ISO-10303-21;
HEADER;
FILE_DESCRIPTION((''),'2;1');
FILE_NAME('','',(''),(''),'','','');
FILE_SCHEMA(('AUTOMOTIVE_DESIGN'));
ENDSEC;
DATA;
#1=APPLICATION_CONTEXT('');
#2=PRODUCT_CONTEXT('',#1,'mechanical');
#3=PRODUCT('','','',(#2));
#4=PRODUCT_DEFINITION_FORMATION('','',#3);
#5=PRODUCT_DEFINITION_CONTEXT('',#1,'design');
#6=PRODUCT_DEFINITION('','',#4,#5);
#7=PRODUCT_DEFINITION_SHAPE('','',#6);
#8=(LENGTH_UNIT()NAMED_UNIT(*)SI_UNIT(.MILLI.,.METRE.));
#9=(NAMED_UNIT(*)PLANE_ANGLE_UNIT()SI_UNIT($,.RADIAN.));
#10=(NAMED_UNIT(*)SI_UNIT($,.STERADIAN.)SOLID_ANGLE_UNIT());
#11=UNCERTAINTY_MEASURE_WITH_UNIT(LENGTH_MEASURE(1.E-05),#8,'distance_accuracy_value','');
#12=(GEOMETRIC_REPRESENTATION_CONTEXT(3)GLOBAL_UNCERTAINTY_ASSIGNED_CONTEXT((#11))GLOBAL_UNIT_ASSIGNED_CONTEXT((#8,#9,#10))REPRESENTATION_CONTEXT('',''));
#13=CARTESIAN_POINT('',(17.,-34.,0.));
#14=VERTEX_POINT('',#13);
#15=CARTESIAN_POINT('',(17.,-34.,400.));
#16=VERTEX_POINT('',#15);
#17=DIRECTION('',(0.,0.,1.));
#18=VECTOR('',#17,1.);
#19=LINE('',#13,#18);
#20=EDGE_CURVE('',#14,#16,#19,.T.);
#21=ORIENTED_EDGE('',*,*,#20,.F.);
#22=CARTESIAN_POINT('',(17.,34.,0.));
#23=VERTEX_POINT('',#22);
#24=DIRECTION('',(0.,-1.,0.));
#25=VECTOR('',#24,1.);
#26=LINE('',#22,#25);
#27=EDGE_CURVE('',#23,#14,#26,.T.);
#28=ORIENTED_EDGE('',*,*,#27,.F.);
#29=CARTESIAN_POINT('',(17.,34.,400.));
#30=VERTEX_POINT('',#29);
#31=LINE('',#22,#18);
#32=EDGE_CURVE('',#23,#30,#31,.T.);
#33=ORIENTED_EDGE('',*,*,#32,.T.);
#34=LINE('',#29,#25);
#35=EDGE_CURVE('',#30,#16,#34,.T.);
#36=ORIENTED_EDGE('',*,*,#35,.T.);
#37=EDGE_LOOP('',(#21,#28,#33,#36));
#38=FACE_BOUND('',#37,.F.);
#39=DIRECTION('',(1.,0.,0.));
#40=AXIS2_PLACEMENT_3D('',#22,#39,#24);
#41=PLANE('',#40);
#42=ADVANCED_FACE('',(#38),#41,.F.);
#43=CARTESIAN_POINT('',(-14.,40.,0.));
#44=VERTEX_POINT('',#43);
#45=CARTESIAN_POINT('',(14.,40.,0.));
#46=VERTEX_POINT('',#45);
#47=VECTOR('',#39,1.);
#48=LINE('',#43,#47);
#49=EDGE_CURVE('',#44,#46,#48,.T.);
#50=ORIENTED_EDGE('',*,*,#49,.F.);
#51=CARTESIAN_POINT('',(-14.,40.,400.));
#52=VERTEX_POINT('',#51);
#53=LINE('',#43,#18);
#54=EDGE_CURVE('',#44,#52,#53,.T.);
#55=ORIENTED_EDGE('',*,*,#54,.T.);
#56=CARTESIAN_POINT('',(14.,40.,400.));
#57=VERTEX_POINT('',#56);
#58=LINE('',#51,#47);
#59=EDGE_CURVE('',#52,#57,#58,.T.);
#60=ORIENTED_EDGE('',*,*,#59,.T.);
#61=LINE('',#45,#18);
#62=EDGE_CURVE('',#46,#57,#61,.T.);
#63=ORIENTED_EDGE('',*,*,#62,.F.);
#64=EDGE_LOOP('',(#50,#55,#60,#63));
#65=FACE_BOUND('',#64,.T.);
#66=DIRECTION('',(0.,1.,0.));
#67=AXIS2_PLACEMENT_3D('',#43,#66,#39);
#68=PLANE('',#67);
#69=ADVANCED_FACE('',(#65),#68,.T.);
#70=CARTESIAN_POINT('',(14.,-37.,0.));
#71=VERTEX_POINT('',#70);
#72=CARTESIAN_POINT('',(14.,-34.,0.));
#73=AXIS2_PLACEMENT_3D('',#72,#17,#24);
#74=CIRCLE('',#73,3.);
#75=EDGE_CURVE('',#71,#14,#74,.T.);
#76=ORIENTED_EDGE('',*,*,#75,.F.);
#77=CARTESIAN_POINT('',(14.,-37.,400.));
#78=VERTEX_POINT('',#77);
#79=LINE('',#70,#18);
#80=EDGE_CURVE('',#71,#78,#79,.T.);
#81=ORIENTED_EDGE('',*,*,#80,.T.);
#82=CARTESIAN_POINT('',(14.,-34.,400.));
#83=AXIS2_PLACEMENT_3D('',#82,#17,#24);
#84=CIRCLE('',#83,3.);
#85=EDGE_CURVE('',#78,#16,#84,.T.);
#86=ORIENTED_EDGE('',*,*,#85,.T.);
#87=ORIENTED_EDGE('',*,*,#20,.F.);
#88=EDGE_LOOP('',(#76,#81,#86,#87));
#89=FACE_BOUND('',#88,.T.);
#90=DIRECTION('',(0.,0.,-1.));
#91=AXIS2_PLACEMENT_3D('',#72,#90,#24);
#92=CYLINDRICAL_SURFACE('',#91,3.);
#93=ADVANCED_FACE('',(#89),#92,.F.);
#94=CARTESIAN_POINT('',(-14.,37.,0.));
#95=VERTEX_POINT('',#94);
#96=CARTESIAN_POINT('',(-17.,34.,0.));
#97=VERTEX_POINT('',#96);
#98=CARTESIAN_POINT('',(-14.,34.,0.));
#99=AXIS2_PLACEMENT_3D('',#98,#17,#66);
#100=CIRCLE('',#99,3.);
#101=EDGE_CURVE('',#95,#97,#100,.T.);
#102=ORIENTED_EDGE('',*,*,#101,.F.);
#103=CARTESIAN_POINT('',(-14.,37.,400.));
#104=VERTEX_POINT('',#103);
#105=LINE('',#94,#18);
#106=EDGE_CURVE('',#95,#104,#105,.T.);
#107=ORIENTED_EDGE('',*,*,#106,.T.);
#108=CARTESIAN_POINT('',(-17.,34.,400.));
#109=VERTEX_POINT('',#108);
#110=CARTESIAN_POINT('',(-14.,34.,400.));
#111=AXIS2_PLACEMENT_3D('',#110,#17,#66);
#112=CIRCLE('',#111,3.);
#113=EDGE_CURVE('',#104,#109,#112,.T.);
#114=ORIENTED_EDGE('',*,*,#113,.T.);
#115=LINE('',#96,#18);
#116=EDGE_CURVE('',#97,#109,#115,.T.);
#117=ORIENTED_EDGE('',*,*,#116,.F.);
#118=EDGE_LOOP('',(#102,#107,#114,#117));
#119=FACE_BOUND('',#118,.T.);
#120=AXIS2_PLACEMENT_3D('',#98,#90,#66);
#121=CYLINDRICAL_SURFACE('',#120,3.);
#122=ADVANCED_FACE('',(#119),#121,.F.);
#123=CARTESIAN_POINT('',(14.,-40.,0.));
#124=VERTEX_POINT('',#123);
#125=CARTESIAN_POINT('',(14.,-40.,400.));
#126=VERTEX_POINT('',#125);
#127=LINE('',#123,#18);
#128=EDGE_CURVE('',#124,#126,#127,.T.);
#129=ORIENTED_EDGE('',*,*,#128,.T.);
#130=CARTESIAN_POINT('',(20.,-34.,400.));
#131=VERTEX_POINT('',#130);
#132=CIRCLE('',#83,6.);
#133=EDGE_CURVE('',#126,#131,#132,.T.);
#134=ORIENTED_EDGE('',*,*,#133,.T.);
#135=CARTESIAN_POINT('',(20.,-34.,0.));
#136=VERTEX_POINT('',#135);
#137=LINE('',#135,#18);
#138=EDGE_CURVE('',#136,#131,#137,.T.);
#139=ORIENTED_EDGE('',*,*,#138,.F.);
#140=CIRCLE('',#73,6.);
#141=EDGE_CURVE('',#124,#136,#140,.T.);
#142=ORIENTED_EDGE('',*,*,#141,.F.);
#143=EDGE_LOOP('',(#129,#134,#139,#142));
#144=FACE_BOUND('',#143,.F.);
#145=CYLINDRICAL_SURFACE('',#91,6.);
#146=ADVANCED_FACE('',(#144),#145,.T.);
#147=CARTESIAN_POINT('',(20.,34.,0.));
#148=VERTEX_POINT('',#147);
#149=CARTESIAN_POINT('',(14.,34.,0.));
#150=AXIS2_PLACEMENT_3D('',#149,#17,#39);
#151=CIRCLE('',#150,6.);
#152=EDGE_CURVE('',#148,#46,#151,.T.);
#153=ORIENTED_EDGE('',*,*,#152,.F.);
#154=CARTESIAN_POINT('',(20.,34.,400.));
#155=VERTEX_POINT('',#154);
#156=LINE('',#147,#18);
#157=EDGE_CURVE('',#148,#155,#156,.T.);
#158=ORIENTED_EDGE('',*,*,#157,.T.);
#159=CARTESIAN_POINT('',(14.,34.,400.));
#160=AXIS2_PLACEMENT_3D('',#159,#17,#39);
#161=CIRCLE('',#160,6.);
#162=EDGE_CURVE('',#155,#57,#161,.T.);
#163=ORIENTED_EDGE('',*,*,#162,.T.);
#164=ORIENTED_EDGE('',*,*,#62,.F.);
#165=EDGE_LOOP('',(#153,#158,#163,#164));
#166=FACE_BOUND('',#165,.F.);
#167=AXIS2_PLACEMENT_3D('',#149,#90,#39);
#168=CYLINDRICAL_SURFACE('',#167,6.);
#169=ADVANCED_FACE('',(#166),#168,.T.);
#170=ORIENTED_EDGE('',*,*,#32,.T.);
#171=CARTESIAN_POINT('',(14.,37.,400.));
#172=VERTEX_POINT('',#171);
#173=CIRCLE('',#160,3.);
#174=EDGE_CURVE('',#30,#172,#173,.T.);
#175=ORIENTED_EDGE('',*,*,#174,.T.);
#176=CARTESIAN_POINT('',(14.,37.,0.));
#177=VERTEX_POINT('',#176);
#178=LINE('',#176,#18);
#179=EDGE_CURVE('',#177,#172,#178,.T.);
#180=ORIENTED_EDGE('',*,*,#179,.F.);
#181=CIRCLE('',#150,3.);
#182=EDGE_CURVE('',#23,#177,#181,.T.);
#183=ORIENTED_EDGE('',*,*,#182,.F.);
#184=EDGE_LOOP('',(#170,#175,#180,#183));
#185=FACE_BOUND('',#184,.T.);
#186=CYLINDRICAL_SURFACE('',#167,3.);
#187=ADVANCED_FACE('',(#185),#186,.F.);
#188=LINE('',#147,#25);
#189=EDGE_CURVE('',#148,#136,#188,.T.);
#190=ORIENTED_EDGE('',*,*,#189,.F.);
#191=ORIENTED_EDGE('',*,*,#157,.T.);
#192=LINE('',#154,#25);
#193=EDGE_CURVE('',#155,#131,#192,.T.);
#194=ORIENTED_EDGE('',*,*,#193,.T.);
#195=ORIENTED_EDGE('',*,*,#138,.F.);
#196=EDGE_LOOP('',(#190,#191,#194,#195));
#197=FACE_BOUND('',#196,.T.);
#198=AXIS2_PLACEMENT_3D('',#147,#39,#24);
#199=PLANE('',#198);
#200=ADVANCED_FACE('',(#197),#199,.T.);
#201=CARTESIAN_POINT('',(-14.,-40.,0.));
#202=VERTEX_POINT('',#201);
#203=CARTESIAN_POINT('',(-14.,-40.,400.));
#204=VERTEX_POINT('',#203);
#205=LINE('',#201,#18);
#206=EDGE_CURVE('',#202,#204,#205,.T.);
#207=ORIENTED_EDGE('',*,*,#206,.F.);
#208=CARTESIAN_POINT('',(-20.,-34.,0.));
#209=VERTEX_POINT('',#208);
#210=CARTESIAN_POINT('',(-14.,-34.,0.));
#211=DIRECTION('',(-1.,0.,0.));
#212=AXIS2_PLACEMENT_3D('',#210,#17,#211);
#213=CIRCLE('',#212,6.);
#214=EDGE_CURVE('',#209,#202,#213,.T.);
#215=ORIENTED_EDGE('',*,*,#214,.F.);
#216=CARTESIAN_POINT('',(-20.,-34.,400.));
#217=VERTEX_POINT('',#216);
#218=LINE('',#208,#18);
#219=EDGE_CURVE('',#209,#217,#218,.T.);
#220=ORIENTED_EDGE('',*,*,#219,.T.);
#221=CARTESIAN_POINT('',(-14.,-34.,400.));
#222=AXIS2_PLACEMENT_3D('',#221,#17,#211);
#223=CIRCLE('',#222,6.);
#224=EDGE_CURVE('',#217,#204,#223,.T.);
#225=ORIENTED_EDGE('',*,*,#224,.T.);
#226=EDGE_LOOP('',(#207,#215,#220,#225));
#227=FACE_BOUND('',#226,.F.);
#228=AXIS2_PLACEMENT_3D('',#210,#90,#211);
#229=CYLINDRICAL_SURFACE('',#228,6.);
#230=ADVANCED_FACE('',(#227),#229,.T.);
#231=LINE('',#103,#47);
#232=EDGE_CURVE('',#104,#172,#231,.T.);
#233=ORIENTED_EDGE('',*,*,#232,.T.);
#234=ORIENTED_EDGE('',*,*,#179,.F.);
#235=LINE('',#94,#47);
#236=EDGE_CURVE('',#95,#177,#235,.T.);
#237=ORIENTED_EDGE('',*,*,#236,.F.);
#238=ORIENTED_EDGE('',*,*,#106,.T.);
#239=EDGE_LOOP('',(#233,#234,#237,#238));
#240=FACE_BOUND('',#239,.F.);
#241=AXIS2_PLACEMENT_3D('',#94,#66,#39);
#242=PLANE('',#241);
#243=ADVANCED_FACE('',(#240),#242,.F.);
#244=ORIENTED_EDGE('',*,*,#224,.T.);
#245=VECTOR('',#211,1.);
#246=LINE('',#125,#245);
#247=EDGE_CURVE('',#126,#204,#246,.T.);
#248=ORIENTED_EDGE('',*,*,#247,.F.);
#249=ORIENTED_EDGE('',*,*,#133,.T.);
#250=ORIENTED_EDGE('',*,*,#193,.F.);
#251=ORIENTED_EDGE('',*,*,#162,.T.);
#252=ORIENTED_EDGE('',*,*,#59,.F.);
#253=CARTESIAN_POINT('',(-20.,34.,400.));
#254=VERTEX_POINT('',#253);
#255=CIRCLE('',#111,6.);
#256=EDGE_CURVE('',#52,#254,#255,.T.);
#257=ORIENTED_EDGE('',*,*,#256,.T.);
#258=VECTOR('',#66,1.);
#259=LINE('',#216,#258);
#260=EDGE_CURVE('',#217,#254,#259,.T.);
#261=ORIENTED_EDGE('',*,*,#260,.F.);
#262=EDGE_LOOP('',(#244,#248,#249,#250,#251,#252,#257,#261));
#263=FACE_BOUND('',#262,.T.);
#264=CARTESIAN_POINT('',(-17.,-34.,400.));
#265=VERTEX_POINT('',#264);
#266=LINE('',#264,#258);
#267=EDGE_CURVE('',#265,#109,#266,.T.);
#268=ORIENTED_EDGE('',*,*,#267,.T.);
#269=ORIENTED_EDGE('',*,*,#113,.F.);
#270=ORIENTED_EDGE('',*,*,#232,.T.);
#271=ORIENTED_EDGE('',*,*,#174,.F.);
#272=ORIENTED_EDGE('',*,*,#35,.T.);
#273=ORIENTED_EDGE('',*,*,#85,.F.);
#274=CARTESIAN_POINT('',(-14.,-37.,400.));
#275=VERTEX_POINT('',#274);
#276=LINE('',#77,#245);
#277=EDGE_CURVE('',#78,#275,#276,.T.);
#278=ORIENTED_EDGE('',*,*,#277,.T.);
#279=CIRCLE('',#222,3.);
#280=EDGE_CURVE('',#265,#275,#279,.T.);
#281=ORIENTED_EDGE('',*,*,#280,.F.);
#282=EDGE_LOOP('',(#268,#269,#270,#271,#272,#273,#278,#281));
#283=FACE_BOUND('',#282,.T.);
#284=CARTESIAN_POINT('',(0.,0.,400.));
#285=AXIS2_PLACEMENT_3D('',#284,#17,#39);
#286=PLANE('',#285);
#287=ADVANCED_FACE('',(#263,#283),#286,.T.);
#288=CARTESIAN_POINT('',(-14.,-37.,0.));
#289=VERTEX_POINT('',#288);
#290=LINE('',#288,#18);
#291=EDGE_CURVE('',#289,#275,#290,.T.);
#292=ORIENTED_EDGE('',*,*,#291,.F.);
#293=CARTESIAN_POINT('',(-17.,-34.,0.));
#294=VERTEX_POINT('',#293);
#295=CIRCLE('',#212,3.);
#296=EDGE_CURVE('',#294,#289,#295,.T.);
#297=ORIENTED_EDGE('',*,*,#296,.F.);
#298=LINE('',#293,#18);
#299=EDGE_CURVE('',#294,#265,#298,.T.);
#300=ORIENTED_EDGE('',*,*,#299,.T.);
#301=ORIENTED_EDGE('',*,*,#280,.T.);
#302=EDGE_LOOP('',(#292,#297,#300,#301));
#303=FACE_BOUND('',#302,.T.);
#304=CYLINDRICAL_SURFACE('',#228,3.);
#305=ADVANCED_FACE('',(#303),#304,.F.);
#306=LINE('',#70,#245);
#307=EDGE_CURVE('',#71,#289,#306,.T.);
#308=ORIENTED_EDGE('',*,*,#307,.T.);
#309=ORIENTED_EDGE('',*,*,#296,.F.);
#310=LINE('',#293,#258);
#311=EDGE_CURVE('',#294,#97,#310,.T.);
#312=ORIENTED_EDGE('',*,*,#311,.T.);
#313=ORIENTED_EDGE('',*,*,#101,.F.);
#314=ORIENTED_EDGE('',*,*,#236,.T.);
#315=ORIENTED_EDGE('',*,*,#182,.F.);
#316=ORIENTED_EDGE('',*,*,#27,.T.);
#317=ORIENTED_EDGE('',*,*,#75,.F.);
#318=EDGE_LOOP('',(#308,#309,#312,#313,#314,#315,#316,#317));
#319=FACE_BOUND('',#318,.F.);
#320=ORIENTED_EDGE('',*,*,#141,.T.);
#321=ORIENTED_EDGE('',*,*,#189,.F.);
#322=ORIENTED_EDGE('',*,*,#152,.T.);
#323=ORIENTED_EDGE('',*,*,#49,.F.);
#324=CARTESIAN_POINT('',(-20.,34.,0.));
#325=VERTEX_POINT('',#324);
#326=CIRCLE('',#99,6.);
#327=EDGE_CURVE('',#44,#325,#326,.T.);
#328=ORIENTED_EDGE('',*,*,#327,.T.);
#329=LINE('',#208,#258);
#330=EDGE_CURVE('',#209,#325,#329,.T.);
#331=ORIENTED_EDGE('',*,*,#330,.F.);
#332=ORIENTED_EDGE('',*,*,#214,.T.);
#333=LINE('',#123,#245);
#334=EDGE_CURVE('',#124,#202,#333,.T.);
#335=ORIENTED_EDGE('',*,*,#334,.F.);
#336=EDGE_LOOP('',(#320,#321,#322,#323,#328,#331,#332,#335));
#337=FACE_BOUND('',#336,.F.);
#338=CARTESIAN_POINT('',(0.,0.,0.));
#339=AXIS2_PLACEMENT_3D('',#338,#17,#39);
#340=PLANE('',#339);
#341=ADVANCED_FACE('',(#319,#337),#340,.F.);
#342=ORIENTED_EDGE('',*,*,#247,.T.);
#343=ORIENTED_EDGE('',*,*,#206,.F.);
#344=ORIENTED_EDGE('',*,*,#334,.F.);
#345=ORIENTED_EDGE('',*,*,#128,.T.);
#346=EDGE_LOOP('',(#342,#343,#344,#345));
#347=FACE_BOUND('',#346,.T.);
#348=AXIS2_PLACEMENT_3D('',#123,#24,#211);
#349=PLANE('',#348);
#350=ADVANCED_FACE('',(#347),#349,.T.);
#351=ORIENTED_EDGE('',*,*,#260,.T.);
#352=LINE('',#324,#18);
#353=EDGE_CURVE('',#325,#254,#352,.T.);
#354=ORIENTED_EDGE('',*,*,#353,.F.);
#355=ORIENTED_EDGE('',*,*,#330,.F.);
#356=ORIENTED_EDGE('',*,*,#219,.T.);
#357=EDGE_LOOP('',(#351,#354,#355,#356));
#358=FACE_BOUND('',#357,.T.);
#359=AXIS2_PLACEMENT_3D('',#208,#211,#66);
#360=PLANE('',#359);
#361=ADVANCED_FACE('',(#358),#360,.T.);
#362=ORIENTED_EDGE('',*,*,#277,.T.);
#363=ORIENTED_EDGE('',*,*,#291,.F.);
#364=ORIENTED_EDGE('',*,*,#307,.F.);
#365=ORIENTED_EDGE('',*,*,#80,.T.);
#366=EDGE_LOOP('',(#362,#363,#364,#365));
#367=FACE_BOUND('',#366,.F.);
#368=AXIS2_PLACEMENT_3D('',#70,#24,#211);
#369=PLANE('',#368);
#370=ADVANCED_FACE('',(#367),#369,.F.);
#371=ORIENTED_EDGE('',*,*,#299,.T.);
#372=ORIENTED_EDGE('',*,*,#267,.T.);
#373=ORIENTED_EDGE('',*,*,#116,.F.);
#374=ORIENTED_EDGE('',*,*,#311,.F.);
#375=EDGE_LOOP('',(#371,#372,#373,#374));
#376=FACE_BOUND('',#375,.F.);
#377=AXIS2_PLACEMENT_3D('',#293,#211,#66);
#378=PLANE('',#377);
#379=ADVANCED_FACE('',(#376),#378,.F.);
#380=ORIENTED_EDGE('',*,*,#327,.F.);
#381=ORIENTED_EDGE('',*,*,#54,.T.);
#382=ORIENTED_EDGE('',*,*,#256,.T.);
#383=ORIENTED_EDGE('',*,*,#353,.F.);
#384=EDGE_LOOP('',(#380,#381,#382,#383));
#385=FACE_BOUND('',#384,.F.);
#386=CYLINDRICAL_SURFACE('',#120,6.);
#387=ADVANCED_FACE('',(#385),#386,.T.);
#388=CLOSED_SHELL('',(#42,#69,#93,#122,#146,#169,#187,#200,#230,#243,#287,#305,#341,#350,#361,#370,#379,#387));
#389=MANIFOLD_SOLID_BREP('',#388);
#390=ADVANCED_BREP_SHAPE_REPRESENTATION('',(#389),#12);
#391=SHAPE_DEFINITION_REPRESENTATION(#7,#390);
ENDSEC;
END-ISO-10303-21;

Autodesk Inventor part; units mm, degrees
ref_plane "YZ Plane" through (0, 0, 0) normal (1, 0, 0) x (0, 1, 0)
ref_plane "Start Plane" through (0, 0, 0) normal (0, 0, 1) x (1, 0, 0)
ref_plane "End Plane" through (0, 0, 400) normal (0, 0, 1) x (1, 0, 0)
sketch "Sketch" plane through (0, 0, 0) normal (0, 0, 1) x (1, 0, 0)
  line L0 (-20, -34) -> (-20, 34)
  line L1 (-14, 40) -> (14, 40)
  line L2 (20, 34) -> (20, -34)
  line L3 (14, -40) -> (-14, -40)
  arc A0 (-20, -34) -> (-14, -40) centre (-14, -34) ccw
  arc A1 (20, 34) -> (14, 40) centre (14, 34) ccw
  arc A2 (-14, 40) -> (-20, 34) centre (-14, 34) ccw
  arc A3 (14, -40) -> (20, -34) centre (14, -34) ccw
  arc A4 (-14, 37) -> (-17, 34) centre (-14, 34) ccw
  line L4 (-14, 37) -> (14, 37)
  arc A5 (17, 34) -> (14, 37) centre (14, 34) ccw
  line L5 (17, 34) -> (17, -34)
  arc A6 (14, -37) -> (17, -34) centre (14, -34) ccw
  line L6 (14, -37) -> (-14, -37)
  arc A7 (-17, -34) -> (-14, -37) centre (-14, -34) ccw
  line L7 (-17, -34) -> (-17, 34)
  line L8 (0, 57.7397) -> (0, -57.7397) construction
  line L9 (-29.7397, 0) -> (29.7397, 0) construction
  dimension "d7" = 6
  dimension "d9" = 40
  dimension "d11" = 80
  dimension "d12" = 3
  dimension "d15" = 20
  dimension "d16" = 40
extrude "Body" add sketch "Sketch" along normal up to surface (400 mm away) from surface at 0
sketch "Sketch3" plane through (0, 0, 0) normal (0, 0, 1) x (1, 0, 0)
  line L0 (0, 0) -> (10, 0)
ref_plane "Work Plane3" through (0, 0, 0) normal (0, -1, 0) x (1, 0, 0)
sketch "Sketch4" plane through (0, 0, 0) normal (0, -1, 0) x (1, 0, 0)
  line L0 (-2, 0) -> (12, 0) projected
  line L1 (-2, 400) -> (12, 400) projected
  dimension "d18" = 400
equation "\"d7\" = G_IR"
equation "\"d9\" = G_W"
equation "\"d11\" = G_H"
equation "\"d12\" = G_T"
equation "\"d15\" = 0.5 * d9"
equation "\"d16\" = 0.5 * d11"
equation "\"d3\" = G_L"
equation "\"G_W\" = 40"
equation "\"G_H\" = 80"
equation "\"G_T\" = 3"
equation "\"G_IR\" = 6"
equation "\"G_L\" = d18"
equation "\"G_OFFSET_START\" = 0"
equation "\"G_OFFSET_END\" = 0"
properties part number "ISO 10799-2 - 80x40x3 - 400" material "Steel, Mild"
